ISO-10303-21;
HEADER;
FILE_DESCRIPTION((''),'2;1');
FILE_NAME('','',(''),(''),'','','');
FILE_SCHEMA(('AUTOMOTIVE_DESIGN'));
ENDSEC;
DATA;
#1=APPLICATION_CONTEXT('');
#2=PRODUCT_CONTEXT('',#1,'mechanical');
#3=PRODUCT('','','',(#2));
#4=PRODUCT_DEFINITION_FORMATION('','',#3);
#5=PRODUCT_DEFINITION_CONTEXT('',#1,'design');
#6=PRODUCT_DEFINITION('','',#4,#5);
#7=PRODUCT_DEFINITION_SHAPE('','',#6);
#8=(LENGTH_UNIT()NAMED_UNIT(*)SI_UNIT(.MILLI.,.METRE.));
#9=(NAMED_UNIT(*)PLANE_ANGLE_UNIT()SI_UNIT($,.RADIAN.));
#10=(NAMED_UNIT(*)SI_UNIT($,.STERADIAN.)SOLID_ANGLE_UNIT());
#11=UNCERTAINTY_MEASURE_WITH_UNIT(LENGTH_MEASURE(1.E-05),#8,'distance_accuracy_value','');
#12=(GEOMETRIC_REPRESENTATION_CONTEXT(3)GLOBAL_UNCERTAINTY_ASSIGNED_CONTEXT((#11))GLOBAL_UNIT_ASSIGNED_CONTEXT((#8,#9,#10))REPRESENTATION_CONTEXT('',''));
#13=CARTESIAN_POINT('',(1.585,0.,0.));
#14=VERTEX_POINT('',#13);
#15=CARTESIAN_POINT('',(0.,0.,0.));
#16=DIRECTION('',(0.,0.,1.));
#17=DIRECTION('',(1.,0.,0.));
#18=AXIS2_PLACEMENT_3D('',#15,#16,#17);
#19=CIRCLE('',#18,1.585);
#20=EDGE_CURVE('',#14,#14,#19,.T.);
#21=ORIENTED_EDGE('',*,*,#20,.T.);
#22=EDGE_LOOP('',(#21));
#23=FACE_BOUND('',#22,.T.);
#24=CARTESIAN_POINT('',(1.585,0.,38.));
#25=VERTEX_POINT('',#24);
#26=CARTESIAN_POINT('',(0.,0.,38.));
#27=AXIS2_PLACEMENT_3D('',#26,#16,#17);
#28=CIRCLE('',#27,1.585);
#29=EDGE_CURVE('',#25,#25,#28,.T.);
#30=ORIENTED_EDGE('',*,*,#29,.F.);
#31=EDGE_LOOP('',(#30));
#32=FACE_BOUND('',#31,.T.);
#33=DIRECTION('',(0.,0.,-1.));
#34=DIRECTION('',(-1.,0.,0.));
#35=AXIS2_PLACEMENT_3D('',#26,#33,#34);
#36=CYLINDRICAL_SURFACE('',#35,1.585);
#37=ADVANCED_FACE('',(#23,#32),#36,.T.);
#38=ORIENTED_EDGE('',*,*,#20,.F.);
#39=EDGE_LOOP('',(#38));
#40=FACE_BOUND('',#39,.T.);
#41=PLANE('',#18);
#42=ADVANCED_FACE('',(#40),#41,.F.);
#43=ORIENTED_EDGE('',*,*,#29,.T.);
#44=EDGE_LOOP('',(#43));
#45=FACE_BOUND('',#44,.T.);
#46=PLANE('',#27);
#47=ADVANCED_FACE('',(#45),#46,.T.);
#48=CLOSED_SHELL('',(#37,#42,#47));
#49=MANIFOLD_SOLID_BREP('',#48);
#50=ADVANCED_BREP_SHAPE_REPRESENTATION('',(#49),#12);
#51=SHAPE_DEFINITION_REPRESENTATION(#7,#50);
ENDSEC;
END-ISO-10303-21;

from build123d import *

# Parameters (mm, degrees)
ESQUISSE1_R        = 1.585
BOSS_EXTRU_1_DEPTH = 38


with BuildPart() as part:
    # Esquisse1 → Boss.-Extru.1 (new body)
    with BuildSketch(Plane.XY):
        Circle(ESQUISSE1_R)
    extrude(amount=BOSS_EXTRU_1_DEPTH)


solid = part.part
